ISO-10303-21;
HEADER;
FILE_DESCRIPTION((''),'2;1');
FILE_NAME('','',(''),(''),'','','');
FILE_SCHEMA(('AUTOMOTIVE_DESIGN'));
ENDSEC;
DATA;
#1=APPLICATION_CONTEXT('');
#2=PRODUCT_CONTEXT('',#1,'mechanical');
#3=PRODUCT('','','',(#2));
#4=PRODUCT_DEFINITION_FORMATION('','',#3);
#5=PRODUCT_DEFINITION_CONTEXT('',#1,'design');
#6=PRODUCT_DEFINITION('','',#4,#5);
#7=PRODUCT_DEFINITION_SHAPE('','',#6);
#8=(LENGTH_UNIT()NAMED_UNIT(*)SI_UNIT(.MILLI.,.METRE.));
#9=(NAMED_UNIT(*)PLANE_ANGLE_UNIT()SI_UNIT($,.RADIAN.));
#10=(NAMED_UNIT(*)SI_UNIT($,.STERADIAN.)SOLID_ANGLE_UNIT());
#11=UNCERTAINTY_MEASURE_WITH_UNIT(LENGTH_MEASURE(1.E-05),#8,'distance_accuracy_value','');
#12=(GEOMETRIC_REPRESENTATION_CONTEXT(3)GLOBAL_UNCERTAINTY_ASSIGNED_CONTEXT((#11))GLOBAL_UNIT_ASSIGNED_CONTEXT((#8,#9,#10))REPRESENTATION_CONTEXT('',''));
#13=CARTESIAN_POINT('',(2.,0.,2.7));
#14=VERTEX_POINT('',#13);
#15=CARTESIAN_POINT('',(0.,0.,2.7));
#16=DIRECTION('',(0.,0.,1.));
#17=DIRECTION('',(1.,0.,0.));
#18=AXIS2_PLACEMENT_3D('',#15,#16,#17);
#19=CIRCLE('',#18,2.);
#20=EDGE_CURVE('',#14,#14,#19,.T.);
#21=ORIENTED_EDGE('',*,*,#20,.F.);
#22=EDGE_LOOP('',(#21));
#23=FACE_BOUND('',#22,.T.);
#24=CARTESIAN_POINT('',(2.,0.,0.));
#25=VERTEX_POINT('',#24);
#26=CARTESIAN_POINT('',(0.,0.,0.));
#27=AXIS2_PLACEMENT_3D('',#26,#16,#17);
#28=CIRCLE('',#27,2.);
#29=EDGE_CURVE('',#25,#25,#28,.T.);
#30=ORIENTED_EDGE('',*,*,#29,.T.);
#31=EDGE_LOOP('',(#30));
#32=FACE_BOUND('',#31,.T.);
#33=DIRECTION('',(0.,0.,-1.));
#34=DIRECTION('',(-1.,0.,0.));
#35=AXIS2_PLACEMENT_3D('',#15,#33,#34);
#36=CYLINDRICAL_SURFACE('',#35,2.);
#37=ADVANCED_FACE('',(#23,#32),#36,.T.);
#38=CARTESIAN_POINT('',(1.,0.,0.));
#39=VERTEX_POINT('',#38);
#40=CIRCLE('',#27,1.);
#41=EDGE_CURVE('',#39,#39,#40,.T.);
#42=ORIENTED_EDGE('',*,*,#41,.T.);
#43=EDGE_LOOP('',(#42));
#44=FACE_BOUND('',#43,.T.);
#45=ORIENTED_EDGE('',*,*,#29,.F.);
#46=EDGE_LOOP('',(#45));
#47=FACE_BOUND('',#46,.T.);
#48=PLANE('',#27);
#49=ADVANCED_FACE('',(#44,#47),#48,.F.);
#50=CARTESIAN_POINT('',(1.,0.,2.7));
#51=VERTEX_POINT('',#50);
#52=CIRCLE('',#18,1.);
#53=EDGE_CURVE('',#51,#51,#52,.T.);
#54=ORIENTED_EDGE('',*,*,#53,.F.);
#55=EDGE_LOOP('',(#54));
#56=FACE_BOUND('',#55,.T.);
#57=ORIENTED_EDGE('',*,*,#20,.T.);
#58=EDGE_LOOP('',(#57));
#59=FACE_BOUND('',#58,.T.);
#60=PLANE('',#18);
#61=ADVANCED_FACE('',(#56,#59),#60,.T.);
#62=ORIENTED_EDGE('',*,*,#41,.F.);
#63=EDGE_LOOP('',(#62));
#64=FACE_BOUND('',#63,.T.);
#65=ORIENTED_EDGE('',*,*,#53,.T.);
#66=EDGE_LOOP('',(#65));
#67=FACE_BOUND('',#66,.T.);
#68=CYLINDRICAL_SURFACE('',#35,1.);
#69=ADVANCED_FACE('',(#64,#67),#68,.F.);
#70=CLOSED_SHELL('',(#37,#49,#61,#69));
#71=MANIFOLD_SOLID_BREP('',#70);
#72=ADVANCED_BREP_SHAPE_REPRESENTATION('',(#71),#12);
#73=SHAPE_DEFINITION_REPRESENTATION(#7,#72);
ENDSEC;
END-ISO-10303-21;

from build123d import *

# Parameters (mm, degrees)
CROQUIS1_R              = 2
CROQUIS1_R_2            = 1
SALIENTE_EXTRUIR1_DEPTH = 2.7


with BuildPart() as part:
    # Croquis1 → Saliente-Extruir1 (new body)
    with BuildSketch(Plane.XY):
        Circle(CROQUIS1_R)
        Circle(CROQUIS1_R_2, mode=Mode.SUBTRACT)
    extrude(amount=SALIENTE_EXTRUIR1_DEPTH)


solid = part.part
